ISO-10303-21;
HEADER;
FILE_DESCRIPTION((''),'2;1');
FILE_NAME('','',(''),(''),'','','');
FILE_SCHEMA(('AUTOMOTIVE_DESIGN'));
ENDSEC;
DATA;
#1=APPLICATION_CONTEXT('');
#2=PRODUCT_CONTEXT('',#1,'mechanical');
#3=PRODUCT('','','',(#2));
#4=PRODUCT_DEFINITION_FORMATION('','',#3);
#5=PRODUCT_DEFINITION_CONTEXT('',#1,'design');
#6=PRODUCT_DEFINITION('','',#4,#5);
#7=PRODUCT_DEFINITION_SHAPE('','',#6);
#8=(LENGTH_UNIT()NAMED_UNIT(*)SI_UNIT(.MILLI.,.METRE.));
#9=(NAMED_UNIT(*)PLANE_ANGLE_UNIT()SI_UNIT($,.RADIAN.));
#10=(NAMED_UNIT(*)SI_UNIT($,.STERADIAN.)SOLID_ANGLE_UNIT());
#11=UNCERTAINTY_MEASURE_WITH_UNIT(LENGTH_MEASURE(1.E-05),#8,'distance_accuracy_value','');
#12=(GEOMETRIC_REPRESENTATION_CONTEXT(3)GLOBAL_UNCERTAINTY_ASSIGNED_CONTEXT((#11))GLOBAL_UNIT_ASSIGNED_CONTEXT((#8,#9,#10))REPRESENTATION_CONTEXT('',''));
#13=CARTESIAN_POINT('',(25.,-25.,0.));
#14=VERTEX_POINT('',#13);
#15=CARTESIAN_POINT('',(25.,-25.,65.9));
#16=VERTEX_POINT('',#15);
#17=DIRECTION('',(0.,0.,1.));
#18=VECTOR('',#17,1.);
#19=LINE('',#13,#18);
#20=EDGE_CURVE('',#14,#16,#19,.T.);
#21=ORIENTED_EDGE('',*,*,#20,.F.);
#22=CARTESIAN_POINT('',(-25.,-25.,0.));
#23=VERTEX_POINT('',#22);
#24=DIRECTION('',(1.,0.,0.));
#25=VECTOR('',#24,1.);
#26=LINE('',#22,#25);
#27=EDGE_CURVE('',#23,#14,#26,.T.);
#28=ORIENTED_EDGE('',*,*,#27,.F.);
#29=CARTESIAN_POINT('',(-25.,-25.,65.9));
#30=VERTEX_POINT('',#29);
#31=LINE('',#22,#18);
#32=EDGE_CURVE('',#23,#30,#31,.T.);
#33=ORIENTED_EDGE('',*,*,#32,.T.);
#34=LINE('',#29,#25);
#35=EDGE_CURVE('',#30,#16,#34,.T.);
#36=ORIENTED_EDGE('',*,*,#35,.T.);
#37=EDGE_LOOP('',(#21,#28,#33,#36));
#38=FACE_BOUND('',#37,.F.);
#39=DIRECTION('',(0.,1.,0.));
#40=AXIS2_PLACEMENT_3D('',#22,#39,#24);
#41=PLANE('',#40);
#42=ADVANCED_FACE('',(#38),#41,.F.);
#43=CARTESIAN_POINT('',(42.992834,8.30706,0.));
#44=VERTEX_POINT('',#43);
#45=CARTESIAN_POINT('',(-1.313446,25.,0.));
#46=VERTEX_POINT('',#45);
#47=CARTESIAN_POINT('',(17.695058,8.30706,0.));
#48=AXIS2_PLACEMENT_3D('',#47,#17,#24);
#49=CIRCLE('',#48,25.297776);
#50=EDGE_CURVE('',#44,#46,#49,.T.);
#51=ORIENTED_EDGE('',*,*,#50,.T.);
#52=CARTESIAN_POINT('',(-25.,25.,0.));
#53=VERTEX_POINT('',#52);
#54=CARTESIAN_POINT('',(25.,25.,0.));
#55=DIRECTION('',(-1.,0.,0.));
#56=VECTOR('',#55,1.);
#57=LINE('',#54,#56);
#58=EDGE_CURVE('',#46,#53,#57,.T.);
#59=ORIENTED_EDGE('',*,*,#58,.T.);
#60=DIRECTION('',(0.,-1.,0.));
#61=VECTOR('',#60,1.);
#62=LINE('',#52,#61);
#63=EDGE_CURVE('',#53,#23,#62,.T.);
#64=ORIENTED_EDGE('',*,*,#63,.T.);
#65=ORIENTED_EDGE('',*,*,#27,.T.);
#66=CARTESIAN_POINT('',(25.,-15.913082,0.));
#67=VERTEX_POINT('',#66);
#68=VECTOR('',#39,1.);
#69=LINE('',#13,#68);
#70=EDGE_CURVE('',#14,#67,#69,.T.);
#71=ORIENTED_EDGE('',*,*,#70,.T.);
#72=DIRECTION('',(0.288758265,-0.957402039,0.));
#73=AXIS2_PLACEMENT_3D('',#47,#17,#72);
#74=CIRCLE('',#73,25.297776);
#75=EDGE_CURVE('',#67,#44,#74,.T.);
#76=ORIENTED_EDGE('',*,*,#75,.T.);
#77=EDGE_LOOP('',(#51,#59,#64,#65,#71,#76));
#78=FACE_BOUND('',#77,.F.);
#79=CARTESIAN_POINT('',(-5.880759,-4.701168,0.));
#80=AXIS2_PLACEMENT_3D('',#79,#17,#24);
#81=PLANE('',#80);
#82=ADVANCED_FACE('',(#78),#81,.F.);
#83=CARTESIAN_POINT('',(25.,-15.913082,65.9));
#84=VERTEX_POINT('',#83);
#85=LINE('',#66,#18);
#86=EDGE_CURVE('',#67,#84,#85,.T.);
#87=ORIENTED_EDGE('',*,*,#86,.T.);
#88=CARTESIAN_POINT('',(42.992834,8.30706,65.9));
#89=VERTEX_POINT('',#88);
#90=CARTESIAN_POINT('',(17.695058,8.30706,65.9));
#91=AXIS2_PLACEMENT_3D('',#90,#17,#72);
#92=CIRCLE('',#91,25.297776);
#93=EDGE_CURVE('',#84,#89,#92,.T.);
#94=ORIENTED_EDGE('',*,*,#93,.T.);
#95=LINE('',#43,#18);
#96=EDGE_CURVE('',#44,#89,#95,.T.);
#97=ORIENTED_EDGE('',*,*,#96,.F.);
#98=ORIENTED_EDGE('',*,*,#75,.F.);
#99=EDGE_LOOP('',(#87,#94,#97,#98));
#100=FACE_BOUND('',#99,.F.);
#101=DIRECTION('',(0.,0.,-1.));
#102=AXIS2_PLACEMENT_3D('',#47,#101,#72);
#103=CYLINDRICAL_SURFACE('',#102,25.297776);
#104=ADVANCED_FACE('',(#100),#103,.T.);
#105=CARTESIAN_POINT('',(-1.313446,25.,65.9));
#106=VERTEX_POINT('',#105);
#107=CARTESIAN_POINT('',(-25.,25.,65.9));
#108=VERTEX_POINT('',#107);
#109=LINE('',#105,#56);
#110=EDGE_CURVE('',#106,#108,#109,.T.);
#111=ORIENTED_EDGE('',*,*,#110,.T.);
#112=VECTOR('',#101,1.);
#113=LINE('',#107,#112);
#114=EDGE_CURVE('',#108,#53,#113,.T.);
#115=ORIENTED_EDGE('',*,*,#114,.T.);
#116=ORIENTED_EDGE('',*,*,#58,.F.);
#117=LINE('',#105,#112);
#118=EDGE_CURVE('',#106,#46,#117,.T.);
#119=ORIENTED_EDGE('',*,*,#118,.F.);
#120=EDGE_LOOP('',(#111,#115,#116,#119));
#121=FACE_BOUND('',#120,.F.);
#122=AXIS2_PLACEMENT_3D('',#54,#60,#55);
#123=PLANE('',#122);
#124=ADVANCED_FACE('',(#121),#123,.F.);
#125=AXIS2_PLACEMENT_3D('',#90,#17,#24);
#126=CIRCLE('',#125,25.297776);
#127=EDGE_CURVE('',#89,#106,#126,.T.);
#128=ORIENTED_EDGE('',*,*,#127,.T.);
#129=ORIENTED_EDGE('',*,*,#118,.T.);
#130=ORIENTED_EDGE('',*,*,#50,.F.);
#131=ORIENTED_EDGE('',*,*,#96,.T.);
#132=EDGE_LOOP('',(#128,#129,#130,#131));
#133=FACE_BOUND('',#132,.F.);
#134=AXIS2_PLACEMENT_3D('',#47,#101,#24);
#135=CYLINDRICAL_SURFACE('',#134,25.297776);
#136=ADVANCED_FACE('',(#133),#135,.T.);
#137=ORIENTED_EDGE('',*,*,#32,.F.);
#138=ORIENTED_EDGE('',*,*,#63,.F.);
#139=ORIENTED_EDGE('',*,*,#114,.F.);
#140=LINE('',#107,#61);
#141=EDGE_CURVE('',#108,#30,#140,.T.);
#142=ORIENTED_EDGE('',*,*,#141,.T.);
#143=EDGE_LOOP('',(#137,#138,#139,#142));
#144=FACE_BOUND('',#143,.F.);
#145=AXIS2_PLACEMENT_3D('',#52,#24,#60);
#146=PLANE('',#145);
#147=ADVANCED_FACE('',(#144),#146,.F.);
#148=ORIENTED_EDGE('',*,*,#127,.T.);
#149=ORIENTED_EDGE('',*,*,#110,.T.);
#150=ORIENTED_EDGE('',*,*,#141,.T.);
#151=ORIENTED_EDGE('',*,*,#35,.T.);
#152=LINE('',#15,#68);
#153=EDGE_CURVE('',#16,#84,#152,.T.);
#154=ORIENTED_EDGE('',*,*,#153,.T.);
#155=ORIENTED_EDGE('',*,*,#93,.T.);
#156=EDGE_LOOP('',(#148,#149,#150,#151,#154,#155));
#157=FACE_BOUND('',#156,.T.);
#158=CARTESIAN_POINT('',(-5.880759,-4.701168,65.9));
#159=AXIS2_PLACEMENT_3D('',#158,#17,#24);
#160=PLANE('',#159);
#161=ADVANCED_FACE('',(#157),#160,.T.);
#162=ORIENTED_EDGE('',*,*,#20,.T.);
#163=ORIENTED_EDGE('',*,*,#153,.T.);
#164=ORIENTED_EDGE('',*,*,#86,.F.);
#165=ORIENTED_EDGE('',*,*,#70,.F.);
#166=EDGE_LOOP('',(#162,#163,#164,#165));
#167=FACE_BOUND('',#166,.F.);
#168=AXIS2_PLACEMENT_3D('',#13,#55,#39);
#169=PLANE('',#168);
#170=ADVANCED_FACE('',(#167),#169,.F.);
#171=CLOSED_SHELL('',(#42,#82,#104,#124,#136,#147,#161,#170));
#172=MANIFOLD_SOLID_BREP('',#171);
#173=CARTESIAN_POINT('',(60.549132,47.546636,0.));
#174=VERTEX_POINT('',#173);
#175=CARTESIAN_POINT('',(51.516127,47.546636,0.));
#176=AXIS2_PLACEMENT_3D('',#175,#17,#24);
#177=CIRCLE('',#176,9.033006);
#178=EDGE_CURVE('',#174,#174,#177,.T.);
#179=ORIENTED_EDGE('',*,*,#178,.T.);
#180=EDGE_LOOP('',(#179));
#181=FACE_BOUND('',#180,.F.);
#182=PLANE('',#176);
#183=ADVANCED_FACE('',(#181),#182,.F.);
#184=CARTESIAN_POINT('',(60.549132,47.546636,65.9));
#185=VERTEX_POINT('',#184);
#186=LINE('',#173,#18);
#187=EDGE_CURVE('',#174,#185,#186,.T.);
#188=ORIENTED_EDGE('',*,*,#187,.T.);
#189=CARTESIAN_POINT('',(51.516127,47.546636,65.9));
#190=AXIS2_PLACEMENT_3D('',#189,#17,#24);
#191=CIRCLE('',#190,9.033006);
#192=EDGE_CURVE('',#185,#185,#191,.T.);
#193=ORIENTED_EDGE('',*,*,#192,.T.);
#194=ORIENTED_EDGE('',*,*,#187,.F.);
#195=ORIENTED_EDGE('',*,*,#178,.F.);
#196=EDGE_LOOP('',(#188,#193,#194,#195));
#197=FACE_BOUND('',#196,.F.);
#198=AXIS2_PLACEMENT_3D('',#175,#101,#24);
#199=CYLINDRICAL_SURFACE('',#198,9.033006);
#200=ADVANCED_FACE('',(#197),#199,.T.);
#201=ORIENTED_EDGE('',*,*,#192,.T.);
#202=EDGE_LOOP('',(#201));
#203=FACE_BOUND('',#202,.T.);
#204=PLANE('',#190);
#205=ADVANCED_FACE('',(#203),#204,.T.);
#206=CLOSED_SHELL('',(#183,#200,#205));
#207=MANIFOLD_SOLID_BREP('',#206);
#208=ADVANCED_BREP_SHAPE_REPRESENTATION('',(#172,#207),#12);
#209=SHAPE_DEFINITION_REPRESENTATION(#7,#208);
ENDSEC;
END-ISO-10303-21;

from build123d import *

# Parameters (mm, degrees)
F1_DEPTH = 50
F2_DEPTH = 65.9
F0_R     = 9.0330055622


with BuildPart() as f1:
    # F0 (on Top) → F1 (new body)
    with BuildSketch(Plane.XY):
        with BuildLine():
            Line((-1.3134458476, 25), (-25, 25))
            Line((-25, 25), (-25, -25))
            Line((-25, -25), (25, -25))
            Line((25, -25), (25, -15.9130819361))
            ThreePointArc((25, -15.9130819361), (-3.5820048642, -5.3773853976), (-1.3134458476, 25))
        make_face()
        with BuildLine():
            Line((25, 25), (-1.3134458476, 25))
            ThreePointArc((-1.3134458476, 25), (-3.5820048642, -5.3773853976), (25, -15.9130819361))
            Line((25, -15.9130819361), (25, 25))
        make_face()
    extrude(amount=F1_DEPTH)

    # F0 (on Top) → F2 (join)
    with BuildSketch(Plane.XY):
        with BuildLine():
            Line((-1.3134458476, 25), (-25, 25))
            Line((-25, 25), (-25, -25))
            Line((-25, -25), (25, -25))
            Line((25, -25), (25, -15.9130819361))
            ThreePointArc((25, -15.9130819361), (-3.5820048642, -5.3773853976), (-1.3134458476, 25))
        make_face()
        with BuildLine():
            ThreePointArc((42.9928339685, 8.3070602268), (26.6142674439, 31.9803609547), (-1.3134458476, 25))
            Line((-1.3134458476, 25), (25, 25))
            Line((25, 25), (25, -15.9130819361))
            ThreePointArc((25, -15.9130819361), (38.0023997126, -6.7790042087), (42.9928339685, 8.3070602268))
        make_face()
        with BuildLine():
            Line((25, 25), (-1.3134458476, 25))
            ThreePointArc((-1.3134458476, 25), (-3.5820048642, -5.3773853976), (25, -15.9130819361))
            Line((25, -15.9130819361), (25, 25))
        make_face()
    extrude(amount=F2_DEPTH)


with BuildPart() as f2:
    # F0 (on Top) → F2, piece 2 (new body)
    with BuildSketch(Plane.XY):
        with Locations((51.5161268413, 47.5466363132)):
            Circle(F0_R)
    extrude(amount=F2_DEPTH)


solid = Compound([f1.part, f2.part])
